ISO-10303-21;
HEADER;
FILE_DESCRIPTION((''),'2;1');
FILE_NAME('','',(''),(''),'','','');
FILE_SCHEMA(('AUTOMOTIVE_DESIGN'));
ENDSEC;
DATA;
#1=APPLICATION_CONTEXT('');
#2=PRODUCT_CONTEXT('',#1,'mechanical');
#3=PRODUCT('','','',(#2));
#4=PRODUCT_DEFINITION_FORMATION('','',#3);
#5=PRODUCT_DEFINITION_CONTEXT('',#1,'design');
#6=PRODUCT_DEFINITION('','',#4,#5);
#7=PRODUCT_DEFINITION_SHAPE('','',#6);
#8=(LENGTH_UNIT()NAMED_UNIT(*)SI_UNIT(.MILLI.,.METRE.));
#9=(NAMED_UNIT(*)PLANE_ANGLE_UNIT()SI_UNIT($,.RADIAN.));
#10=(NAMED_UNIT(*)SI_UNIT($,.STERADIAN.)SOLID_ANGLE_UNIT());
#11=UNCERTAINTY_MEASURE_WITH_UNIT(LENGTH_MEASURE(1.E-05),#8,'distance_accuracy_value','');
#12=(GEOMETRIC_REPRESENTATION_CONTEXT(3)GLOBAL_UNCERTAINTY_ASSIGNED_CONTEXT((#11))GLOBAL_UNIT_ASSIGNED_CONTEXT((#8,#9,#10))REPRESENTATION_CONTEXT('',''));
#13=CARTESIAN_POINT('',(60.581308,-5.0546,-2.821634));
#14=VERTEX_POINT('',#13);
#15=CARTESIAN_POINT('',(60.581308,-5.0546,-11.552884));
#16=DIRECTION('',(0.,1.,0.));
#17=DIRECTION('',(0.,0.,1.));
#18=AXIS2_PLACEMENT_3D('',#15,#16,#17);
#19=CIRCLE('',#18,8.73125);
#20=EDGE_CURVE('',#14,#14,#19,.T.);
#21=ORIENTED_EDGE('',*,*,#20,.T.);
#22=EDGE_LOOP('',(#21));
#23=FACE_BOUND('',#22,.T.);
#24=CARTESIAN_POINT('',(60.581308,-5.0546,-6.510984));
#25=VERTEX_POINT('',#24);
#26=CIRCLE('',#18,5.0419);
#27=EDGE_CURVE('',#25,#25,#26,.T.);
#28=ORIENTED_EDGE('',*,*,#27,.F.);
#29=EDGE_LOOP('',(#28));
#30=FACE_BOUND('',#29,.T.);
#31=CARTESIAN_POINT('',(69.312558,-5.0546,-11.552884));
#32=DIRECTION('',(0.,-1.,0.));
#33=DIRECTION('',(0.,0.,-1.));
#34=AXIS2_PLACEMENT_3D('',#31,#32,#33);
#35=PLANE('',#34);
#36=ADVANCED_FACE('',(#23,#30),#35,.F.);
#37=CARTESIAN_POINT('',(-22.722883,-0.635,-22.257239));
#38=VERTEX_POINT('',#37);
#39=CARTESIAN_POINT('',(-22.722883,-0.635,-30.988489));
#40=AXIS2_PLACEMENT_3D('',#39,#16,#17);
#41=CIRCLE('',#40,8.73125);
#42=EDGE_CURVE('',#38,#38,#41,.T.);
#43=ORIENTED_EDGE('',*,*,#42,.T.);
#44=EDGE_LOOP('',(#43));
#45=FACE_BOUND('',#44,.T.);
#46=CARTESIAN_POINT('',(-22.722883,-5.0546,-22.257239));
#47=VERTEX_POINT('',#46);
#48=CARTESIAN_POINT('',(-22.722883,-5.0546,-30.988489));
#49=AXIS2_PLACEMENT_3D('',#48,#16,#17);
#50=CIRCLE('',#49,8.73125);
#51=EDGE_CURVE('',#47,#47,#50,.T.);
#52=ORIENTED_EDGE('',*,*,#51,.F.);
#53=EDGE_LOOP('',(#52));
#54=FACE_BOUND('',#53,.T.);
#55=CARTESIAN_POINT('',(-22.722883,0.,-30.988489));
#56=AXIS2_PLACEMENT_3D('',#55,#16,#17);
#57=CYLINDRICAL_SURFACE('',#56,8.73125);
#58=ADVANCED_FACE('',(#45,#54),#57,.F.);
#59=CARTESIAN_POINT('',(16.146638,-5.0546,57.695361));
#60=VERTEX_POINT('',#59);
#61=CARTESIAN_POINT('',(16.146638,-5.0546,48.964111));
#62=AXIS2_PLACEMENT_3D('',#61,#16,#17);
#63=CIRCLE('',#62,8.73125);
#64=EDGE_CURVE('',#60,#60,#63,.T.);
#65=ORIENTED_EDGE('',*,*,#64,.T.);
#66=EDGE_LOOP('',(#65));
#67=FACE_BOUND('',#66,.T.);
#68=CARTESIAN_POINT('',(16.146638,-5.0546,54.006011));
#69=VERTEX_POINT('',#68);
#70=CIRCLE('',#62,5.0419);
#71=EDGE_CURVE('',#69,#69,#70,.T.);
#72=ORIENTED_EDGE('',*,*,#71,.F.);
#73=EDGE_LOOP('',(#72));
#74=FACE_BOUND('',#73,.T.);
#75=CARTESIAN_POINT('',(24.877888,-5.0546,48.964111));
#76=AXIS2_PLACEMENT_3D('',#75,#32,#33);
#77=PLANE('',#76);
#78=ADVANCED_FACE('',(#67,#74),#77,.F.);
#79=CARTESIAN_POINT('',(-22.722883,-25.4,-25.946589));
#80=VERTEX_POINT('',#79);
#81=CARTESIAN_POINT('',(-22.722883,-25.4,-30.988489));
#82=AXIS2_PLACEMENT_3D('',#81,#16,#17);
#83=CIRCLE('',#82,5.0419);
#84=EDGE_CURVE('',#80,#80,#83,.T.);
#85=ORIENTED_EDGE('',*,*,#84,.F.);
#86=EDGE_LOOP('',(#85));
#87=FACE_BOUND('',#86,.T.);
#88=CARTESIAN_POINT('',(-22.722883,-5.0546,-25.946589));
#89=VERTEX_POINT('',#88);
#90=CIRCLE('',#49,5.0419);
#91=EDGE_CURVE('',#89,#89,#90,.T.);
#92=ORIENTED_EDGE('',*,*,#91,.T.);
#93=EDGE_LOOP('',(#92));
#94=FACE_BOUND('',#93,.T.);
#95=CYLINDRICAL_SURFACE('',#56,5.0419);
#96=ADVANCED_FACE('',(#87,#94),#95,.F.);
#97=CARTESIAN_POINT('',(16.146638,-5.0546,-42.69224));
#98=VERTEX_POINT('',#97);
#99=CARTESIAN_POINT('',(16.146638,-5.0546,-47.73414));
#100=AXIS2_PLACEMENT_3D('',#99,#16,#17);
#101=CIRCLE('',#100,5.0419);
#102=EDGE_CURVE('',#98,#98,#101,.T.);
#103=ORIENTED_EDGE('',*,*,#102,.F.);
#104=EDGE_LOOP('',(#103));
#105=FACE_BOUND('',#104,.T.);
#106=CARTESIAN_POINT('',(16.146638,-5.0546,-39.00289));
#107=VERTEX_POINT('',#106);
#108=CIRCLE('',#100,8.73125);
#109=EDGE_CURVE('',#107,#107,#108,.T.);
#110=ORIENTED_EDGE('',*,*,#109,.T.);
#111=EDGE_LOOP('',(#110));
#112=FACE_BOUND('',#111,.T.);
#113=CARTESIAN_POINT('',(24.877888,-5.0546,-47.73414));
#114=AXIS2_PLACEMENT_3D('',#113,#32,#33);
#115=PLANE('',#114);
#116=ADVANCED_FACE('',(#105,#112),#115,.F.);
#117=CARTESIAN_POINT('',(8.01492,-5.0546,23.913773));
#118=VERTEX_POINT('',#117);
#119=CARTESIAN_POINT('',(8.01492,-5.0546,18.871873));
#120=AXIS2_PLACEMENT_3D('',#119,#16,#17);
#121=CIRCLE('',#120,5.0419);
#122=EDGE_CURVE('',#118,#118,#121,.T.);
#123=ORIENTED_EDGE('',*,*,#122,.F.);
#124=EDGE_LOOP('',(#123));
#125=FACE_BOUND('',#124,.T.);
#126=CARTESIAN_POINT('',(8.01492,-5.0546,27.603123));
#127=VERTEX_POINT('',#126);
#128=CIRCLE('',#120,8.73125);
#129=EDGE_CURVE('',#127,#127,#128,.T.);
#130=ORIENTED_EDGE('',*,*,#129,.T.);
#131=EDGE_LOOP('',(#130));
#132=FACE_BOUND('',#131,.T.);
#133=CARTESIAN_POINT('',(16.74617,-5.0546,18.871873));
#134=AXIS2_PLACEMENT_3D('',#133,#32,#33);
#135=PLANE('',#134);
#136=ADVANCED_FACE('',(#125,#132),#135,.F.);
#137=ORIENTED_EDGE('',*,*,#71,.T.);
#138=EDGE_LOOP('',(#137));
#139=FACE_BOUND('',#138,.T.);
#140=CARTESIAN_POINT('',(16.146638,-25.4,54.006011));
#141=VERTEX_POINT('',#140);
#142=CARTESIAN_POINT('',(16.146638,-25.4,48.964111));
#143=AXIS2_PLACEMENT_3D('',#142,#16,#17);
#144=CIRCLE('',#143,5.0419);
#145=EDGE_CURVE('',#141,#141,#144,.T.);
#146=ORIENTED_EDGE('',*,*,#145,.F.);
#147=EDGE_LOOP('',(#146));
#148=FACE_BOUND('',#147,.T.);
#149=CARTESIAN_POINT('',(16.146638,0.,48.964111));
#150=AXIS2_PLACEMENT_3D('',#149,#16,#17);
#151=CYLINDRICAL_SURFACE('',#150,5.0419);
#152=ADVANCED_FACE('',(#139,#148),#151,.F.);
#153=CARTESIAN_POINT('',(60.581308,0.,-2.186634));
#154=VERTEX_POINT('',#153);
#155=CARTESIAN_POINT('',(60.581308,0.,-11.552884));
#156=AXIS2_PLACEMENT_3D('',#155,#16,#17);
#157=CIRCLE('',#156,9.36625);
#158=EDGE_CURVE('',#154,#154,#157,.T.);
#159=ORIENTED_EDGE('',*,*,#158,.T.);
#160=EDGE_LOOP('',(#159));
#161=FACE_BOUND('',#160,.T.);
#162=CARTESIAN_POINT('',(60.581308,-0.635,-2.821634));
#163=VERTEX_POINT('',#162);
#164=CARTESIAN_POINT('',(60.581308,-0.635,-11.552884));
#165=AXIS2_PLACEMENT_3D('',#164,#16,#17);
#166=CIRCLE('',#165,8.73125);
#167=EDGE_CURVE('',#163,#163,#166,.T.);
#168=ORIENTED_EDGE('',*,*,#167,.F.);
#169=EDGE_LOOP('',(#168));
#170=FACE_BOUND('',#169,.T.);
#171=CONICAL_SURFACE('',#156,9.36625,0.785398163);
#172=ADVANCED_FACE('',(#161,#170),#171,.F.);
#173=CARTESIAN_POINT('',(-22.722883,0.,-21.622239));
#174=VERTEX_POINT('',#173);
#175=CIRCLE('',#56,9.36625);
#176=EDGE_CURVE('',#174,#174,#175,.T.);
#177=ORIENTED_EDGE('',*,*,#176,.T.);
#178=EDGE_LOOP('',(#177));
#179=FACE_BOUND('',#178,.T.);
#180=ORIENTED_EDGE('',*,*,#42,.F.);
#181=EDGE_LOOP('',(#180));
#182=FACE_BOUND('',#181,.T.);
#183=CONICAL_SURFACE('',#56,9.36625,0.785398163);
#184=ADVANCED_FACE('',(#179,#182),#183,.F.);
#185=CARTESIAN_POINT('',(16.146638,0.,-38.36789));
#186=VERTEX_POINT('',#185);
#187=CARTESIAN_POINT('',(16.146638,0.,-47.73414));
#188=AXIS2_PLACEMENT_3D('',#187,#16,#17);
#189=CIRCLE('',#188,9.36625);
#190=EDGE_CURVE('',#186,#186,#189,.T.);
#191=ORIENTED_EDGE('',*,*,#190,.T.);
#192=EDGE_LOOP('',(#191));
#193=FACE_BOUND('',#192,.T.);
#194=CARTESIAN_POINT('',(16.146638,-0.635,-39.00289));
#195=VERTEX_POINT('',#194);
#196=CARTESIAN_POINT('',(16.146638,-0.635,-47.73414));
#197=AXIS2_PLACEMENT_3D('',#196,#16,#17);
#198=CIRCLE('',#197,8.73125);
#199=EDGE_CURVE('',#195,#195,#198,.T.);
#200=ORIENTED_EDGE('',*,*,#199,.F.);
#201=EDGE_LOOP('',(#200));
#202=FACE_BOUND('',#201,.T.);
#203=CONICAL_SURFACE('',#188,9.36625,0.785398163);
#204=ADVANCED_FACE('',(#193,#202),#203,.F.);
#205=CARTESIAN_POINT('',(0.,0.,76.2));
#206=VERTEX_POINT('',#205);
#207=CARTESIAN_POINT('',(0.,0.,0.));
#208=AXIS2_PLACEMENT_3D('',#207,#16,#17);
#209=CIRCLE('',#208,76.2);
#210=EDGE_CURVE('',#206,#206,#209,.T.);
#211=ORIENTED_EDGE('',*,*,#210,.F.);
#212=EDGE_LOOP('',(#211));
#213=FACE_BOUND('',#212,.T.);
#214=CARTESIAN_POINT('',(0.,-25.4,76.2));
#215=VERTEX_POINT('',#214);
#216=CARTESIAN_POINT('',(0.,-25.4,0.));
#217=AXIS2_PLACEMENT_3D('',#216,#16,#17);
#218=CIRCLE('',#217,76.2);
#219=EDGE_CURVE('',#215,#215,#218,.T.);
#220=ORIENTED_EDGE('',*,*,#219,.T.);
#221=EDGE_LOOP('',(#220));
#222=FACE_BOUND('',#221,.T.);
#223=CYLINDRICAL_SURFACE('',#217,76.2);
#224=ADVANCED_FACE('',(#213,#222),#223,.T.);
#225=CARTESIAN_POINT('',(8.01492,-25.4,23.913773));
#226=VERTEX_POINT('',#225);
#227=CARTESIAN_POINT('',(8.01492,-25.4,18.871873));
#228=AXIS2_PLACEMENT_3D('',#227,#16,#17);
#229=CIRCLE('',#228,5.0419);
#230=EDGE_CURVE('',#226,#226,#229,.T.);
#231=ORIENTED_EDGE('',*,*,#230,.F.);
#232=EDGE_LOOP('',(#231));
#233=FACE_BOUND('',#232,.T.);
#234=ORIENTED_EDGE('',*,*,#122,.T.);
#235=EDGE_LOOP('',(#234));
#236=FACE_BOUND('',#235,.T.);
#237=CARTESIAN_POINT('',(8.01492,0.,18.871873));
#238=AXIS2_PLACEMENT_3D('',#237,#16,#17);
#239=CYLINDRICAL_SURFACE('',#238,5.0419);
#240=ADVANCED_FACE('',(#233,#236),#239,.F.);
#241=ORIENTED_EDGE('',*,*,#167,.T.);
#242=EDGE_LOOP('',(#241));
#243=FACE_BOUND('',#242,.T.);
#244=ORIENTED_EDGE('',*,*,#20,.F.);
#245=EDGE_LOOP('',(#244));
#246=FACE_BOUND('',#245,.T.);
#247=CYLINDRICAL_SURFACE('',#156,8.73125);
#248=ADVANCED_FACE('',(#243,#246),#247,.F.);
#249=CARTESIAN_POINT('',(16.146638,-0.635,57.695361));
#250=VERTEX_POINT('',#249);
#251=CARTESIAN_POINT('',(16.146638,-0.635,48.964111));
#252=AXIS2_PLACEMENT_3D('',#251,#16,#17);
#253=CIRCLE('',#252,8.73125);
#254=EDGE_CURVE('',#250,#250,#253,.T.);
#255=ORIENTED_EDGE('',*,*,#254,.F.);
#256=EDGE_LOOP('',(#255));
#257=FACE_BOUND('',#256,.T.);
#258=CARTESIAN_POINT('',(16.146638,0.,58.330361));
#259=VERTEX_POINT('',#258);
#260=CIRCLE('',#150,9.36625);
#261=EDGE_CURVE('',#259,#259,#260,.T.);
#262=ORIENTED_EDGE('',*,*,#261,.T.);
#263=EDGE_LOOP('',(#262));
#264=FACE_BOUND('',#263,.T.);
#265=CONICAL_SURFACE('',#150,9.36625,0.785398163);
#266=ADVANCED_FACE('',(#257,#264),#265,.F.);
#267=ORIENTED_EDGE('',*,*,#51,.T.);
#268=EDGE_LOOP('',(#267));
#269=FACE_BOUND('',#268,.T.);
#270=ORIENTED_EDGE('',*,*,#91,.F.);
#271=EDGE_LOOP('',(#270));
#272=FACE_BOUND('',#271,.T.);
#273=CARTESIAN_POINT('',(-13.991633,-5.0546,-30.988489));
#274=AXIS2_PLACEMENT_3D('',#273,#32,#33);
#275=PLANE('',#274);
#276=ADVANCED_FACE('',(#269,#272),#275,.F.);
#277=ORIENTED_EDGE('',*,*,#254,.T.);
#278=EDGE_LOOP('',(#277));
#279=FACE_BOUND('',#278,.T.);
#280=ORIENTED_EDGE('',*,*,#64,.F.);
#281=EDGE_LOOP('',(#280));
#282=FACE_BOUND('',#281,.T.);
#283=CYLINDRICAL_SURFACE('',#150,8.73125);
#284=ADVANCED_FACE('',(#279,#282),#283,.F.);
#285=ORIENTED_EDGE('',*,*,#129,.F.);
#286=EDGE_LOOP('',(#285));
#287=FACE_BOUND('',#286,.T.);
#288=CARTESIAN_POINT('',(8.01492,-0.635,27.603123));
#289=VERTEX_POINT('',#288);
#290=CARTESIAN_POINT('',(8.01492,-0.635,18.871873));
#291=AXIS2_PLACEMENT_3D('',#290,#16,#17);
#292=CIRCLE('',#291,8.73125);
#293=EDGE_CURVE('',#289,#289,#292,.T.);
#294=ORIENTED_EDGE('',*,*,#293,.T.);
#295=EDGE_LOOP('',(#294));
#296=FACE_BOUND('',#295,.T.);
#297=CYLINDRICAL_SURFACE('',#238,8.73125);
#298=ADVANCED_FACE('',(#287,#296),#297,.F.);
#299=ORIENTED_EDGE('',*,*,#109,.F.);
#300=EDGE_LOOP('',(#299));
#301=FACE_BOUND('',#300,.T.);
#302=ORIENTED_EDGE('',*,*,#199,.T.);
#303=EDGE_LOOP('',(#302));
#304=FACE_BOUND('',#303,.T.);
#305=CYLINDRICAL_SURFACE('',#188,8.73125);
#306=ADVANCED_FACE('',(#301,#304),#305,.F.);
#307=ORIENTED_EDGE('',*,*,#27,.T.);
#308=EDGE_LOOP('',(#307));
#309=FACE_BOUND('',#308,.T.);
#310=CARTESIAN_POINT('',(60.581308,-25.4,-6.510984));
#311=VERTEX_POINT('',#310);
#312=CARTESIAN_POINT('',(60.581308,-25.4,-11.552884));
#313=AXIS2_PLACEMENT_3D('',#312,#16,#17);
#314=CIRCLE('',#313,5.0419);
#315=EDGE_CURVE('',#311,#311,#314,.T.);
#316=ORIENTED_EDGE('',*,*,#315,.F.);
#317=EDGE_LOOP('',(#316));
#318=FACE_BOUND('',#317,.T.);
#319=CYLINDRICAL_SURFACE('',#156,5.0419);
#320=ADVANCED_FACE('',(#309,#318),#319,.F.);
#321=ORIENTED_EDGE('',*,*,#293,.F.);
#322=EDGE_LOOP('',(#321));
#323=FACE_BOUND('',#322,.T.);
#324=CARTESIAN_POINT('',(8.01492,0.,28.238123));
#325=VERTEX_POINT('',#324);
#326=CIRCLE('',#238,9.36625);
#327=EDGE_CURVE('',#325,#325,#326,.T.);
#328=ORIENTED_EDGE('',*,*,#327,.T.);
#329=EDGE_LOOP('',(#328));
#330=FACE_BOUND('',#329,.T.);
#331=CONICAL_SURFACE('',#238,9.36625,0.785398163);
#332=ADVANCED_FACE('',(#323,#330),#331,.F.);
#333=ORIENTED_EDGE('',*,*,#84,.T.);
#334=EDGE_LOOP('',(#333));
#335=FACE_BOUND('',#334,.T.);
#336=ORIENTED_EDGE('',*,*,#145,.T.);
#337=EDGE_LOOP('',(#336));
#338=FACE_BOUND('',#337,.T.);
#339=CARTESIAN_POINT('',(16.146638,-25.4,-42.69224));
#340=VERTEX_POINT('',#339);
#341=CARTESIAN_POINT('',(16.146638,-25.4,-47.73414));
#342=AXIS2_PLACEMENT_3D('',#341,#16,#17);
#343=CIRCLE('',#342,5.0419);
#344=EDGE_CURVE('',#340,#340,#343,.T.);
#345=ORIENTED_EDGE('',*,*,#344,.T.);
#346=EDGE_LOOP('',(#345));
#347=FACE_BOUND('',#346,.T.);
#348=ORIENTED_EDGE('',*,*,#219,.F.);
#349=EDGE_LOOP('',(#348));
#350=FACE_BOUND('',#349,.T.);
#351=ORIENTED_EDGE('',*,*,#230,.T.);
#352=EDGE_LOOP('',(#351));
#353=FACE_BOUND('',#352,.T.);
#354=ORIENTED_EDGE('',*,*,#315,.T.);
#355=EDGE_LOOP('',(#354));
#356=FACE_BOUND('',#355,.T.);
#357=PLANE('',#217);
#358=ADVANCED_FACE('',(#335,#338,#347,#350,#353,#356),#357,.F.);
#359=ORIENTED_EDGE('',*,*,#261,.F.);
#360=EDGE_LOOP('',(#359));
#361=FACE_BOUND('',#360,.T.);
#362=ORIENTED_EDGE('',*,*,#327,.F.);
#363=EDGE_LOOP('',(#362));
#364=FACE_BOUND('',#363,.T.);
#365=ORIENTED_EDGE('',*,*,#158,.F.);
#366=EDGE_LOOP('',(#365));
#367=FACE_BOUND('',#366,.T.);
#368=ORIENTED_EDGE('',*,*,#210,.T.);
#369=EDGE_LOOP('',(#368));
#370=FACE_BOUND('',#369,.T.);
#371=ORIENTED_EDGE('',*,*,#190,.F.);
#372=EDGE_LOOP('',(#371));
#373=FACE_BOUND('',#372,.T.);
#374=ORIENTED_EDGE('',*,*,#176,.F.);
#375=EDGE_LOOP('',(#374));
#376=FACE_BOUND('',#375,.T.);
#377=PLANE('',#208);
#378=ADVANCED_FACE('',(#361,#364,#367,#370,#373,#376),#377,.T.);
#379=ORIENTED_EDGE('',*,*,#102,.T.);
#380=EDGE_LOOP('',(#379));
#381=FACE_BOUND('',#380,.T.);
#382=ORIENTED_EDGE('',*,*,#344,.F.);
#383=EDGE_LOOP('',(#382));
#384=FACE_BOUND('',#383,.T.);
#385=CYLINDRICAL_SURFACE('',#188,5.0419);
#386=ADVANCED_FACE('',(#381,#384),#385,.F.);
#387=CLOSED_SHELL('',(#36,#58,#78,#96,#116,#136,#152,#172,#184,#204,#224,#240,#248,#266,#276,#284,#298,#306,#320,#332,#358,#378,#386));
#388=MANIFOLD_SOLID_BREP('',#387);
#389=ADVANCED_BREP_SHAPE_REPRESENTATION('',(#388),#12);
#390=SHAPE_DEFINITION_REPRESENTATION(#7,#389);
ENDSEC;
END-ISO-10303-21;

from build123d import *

# Parameters (mm, degrees)
SKETCH1_R                                     = 76.2
BOSS_EXTRUDE1_DEPTH                           = 25.4
CBORE_FOR_3_8_BUTTON_HEAD_CAP_SCREW1_AT_COUNT = 2
CBORE_FOR_3_8_BUTTON_HEAD_CAP_SCREW1_AT_PITCH = 75.078270051
CBORE_FOR_3_8_BUTTON_HEAD_CAP_SCREW1_2_COUNT  = 2
CBORE_FOR_3_8_BUTTON_HEAD_CAP_SCREW1_2_PITCH  = 60.736241383
CBORE_FOR_3_8_BUTTON_HEAD_CAP_SCREW1_3_COUNT  = 2
CBORE_FOR_3_8_BUTTON_HEAD_CAP_SCREW1_3_PITCH  = 85.541398896
CBORE_FOR_3_8_BUTTON_HEAD_CAP_SCREW1_4_COUNT  = 2
CBORE_FOR_3_8_BUTTON_HEAD_CAP_SCREW1_4_PITCH  = 57.302034519


with BuildPart() as part:
    # Sketch1 → Boss-Extrude1 (new body)
    with BuildSketch(Plane(origin=(0, 0, 0), x_dir=(1, 0, 0), z_dir=(0, 1, 0))):
        with Locations(Location((0, 0, 0), (0, 0, 270))):
            Circle(SKETCH1_R)
    extrude(amount=-BOSS_EXTRUDE1_DEPTH)

    # Sketch4 → CBORE for 3/8 Button Head Cap Screw1 (revolve, cut)
    with BuildSketch(Plane(origin=(60.58130803, 0, -11.552884304), x_dir=(0, 0, 1), z_dir=(1, 0, 0))):
        Polygon((0, 0), (0, 25.4), (5.0419, 25.4), (5.0419, 5.0546), (8.73125, 5.0546), (8.73125, 0.635), (9.36625, 0), align=None)
    cbore_for_3_8_button_head_cap_screw1 = revolve(axis=Axis((60.58130803, 6.35, -11.552884304), (0, -1, 0)), mode=Mode.SUBTRACT)

    # CBORE for 3/8 Button Head Cap Screw1 at: CBORE for 3/8 Button Head Cap Screw1 ×2
    with Locations(*[Vector(-0.5918446125142773, 0, 0.8060520793582913) * (i * CBORE_FOR_3_8_BUTTON_HEAD_CAP_SCREW1_AT_PITCH) for i in range(1, CBORE_FOR_3_8_BUTTON_HEAD_CAP_SCREW1_AT_COUNT)]):
        add(cbore_for_3_8_button_head_cap_screw1, mode=Mode.SUBTRACT)

    # CBORE for 3_8 Button Head Cap Screw1 2: CBORE for 3/8 Button Head Cap Screw1 ×2
    with Locations(*[Vector(-0.8654863573421582, 0, 0.5009324957063599) * (i * CBORE_FOR_3_8_BUTTON_HEAD_CAP_SCREW1_2_PITCH) for i in range(1, CBORE_FOR_3_8_BUTTON_HEAD_CAP_SCREW1_2_COUNT)]):
        add(cbore_for_3_8_button_head_cap_screw1, mode=Mode.SUBTRACT)

    # CBORE for 3_8 Button Head Cap Screw1 3: CBORE for 3/8 Button Head Cap Screw1 ×2
    with Locations(*[Vector(-0.9738464853959384, 0, -0.22720700447384592) * (i * CBORE_FOR_3_8_BUTTON_HEAD_CAP_SCREW1_3_PITCH) for i in range(1, CBORE_FOR_3_8_BUTTON_HEAD_CAP_SCREW1_3_COUNT)]):
        add(cbore_for_3_8_button_head_cap_screw1, mode=Mode.SUBTRACT)

    # CBORE for 3_8 Button Head Cap Screw1 4: CBORE for 3/8 Button Head Cap Screw1 ×2
    with Locations(*[Vector(-0.7754466315152058, 0, -0.6314131149031676) * (i * CBORE_FOR_3_8_BUTTON_HEAD_CAP_SCREW1_4_PITCH) for i in range(1, CBORE_FOR_3_8_BUTTON_HEAD_CAP_SCREW1_4_COUNT)]):
        add(cbore_for_3_8_button_head_cap_screw1, mode=Mode.SUBTRACT)


solid = part.part
